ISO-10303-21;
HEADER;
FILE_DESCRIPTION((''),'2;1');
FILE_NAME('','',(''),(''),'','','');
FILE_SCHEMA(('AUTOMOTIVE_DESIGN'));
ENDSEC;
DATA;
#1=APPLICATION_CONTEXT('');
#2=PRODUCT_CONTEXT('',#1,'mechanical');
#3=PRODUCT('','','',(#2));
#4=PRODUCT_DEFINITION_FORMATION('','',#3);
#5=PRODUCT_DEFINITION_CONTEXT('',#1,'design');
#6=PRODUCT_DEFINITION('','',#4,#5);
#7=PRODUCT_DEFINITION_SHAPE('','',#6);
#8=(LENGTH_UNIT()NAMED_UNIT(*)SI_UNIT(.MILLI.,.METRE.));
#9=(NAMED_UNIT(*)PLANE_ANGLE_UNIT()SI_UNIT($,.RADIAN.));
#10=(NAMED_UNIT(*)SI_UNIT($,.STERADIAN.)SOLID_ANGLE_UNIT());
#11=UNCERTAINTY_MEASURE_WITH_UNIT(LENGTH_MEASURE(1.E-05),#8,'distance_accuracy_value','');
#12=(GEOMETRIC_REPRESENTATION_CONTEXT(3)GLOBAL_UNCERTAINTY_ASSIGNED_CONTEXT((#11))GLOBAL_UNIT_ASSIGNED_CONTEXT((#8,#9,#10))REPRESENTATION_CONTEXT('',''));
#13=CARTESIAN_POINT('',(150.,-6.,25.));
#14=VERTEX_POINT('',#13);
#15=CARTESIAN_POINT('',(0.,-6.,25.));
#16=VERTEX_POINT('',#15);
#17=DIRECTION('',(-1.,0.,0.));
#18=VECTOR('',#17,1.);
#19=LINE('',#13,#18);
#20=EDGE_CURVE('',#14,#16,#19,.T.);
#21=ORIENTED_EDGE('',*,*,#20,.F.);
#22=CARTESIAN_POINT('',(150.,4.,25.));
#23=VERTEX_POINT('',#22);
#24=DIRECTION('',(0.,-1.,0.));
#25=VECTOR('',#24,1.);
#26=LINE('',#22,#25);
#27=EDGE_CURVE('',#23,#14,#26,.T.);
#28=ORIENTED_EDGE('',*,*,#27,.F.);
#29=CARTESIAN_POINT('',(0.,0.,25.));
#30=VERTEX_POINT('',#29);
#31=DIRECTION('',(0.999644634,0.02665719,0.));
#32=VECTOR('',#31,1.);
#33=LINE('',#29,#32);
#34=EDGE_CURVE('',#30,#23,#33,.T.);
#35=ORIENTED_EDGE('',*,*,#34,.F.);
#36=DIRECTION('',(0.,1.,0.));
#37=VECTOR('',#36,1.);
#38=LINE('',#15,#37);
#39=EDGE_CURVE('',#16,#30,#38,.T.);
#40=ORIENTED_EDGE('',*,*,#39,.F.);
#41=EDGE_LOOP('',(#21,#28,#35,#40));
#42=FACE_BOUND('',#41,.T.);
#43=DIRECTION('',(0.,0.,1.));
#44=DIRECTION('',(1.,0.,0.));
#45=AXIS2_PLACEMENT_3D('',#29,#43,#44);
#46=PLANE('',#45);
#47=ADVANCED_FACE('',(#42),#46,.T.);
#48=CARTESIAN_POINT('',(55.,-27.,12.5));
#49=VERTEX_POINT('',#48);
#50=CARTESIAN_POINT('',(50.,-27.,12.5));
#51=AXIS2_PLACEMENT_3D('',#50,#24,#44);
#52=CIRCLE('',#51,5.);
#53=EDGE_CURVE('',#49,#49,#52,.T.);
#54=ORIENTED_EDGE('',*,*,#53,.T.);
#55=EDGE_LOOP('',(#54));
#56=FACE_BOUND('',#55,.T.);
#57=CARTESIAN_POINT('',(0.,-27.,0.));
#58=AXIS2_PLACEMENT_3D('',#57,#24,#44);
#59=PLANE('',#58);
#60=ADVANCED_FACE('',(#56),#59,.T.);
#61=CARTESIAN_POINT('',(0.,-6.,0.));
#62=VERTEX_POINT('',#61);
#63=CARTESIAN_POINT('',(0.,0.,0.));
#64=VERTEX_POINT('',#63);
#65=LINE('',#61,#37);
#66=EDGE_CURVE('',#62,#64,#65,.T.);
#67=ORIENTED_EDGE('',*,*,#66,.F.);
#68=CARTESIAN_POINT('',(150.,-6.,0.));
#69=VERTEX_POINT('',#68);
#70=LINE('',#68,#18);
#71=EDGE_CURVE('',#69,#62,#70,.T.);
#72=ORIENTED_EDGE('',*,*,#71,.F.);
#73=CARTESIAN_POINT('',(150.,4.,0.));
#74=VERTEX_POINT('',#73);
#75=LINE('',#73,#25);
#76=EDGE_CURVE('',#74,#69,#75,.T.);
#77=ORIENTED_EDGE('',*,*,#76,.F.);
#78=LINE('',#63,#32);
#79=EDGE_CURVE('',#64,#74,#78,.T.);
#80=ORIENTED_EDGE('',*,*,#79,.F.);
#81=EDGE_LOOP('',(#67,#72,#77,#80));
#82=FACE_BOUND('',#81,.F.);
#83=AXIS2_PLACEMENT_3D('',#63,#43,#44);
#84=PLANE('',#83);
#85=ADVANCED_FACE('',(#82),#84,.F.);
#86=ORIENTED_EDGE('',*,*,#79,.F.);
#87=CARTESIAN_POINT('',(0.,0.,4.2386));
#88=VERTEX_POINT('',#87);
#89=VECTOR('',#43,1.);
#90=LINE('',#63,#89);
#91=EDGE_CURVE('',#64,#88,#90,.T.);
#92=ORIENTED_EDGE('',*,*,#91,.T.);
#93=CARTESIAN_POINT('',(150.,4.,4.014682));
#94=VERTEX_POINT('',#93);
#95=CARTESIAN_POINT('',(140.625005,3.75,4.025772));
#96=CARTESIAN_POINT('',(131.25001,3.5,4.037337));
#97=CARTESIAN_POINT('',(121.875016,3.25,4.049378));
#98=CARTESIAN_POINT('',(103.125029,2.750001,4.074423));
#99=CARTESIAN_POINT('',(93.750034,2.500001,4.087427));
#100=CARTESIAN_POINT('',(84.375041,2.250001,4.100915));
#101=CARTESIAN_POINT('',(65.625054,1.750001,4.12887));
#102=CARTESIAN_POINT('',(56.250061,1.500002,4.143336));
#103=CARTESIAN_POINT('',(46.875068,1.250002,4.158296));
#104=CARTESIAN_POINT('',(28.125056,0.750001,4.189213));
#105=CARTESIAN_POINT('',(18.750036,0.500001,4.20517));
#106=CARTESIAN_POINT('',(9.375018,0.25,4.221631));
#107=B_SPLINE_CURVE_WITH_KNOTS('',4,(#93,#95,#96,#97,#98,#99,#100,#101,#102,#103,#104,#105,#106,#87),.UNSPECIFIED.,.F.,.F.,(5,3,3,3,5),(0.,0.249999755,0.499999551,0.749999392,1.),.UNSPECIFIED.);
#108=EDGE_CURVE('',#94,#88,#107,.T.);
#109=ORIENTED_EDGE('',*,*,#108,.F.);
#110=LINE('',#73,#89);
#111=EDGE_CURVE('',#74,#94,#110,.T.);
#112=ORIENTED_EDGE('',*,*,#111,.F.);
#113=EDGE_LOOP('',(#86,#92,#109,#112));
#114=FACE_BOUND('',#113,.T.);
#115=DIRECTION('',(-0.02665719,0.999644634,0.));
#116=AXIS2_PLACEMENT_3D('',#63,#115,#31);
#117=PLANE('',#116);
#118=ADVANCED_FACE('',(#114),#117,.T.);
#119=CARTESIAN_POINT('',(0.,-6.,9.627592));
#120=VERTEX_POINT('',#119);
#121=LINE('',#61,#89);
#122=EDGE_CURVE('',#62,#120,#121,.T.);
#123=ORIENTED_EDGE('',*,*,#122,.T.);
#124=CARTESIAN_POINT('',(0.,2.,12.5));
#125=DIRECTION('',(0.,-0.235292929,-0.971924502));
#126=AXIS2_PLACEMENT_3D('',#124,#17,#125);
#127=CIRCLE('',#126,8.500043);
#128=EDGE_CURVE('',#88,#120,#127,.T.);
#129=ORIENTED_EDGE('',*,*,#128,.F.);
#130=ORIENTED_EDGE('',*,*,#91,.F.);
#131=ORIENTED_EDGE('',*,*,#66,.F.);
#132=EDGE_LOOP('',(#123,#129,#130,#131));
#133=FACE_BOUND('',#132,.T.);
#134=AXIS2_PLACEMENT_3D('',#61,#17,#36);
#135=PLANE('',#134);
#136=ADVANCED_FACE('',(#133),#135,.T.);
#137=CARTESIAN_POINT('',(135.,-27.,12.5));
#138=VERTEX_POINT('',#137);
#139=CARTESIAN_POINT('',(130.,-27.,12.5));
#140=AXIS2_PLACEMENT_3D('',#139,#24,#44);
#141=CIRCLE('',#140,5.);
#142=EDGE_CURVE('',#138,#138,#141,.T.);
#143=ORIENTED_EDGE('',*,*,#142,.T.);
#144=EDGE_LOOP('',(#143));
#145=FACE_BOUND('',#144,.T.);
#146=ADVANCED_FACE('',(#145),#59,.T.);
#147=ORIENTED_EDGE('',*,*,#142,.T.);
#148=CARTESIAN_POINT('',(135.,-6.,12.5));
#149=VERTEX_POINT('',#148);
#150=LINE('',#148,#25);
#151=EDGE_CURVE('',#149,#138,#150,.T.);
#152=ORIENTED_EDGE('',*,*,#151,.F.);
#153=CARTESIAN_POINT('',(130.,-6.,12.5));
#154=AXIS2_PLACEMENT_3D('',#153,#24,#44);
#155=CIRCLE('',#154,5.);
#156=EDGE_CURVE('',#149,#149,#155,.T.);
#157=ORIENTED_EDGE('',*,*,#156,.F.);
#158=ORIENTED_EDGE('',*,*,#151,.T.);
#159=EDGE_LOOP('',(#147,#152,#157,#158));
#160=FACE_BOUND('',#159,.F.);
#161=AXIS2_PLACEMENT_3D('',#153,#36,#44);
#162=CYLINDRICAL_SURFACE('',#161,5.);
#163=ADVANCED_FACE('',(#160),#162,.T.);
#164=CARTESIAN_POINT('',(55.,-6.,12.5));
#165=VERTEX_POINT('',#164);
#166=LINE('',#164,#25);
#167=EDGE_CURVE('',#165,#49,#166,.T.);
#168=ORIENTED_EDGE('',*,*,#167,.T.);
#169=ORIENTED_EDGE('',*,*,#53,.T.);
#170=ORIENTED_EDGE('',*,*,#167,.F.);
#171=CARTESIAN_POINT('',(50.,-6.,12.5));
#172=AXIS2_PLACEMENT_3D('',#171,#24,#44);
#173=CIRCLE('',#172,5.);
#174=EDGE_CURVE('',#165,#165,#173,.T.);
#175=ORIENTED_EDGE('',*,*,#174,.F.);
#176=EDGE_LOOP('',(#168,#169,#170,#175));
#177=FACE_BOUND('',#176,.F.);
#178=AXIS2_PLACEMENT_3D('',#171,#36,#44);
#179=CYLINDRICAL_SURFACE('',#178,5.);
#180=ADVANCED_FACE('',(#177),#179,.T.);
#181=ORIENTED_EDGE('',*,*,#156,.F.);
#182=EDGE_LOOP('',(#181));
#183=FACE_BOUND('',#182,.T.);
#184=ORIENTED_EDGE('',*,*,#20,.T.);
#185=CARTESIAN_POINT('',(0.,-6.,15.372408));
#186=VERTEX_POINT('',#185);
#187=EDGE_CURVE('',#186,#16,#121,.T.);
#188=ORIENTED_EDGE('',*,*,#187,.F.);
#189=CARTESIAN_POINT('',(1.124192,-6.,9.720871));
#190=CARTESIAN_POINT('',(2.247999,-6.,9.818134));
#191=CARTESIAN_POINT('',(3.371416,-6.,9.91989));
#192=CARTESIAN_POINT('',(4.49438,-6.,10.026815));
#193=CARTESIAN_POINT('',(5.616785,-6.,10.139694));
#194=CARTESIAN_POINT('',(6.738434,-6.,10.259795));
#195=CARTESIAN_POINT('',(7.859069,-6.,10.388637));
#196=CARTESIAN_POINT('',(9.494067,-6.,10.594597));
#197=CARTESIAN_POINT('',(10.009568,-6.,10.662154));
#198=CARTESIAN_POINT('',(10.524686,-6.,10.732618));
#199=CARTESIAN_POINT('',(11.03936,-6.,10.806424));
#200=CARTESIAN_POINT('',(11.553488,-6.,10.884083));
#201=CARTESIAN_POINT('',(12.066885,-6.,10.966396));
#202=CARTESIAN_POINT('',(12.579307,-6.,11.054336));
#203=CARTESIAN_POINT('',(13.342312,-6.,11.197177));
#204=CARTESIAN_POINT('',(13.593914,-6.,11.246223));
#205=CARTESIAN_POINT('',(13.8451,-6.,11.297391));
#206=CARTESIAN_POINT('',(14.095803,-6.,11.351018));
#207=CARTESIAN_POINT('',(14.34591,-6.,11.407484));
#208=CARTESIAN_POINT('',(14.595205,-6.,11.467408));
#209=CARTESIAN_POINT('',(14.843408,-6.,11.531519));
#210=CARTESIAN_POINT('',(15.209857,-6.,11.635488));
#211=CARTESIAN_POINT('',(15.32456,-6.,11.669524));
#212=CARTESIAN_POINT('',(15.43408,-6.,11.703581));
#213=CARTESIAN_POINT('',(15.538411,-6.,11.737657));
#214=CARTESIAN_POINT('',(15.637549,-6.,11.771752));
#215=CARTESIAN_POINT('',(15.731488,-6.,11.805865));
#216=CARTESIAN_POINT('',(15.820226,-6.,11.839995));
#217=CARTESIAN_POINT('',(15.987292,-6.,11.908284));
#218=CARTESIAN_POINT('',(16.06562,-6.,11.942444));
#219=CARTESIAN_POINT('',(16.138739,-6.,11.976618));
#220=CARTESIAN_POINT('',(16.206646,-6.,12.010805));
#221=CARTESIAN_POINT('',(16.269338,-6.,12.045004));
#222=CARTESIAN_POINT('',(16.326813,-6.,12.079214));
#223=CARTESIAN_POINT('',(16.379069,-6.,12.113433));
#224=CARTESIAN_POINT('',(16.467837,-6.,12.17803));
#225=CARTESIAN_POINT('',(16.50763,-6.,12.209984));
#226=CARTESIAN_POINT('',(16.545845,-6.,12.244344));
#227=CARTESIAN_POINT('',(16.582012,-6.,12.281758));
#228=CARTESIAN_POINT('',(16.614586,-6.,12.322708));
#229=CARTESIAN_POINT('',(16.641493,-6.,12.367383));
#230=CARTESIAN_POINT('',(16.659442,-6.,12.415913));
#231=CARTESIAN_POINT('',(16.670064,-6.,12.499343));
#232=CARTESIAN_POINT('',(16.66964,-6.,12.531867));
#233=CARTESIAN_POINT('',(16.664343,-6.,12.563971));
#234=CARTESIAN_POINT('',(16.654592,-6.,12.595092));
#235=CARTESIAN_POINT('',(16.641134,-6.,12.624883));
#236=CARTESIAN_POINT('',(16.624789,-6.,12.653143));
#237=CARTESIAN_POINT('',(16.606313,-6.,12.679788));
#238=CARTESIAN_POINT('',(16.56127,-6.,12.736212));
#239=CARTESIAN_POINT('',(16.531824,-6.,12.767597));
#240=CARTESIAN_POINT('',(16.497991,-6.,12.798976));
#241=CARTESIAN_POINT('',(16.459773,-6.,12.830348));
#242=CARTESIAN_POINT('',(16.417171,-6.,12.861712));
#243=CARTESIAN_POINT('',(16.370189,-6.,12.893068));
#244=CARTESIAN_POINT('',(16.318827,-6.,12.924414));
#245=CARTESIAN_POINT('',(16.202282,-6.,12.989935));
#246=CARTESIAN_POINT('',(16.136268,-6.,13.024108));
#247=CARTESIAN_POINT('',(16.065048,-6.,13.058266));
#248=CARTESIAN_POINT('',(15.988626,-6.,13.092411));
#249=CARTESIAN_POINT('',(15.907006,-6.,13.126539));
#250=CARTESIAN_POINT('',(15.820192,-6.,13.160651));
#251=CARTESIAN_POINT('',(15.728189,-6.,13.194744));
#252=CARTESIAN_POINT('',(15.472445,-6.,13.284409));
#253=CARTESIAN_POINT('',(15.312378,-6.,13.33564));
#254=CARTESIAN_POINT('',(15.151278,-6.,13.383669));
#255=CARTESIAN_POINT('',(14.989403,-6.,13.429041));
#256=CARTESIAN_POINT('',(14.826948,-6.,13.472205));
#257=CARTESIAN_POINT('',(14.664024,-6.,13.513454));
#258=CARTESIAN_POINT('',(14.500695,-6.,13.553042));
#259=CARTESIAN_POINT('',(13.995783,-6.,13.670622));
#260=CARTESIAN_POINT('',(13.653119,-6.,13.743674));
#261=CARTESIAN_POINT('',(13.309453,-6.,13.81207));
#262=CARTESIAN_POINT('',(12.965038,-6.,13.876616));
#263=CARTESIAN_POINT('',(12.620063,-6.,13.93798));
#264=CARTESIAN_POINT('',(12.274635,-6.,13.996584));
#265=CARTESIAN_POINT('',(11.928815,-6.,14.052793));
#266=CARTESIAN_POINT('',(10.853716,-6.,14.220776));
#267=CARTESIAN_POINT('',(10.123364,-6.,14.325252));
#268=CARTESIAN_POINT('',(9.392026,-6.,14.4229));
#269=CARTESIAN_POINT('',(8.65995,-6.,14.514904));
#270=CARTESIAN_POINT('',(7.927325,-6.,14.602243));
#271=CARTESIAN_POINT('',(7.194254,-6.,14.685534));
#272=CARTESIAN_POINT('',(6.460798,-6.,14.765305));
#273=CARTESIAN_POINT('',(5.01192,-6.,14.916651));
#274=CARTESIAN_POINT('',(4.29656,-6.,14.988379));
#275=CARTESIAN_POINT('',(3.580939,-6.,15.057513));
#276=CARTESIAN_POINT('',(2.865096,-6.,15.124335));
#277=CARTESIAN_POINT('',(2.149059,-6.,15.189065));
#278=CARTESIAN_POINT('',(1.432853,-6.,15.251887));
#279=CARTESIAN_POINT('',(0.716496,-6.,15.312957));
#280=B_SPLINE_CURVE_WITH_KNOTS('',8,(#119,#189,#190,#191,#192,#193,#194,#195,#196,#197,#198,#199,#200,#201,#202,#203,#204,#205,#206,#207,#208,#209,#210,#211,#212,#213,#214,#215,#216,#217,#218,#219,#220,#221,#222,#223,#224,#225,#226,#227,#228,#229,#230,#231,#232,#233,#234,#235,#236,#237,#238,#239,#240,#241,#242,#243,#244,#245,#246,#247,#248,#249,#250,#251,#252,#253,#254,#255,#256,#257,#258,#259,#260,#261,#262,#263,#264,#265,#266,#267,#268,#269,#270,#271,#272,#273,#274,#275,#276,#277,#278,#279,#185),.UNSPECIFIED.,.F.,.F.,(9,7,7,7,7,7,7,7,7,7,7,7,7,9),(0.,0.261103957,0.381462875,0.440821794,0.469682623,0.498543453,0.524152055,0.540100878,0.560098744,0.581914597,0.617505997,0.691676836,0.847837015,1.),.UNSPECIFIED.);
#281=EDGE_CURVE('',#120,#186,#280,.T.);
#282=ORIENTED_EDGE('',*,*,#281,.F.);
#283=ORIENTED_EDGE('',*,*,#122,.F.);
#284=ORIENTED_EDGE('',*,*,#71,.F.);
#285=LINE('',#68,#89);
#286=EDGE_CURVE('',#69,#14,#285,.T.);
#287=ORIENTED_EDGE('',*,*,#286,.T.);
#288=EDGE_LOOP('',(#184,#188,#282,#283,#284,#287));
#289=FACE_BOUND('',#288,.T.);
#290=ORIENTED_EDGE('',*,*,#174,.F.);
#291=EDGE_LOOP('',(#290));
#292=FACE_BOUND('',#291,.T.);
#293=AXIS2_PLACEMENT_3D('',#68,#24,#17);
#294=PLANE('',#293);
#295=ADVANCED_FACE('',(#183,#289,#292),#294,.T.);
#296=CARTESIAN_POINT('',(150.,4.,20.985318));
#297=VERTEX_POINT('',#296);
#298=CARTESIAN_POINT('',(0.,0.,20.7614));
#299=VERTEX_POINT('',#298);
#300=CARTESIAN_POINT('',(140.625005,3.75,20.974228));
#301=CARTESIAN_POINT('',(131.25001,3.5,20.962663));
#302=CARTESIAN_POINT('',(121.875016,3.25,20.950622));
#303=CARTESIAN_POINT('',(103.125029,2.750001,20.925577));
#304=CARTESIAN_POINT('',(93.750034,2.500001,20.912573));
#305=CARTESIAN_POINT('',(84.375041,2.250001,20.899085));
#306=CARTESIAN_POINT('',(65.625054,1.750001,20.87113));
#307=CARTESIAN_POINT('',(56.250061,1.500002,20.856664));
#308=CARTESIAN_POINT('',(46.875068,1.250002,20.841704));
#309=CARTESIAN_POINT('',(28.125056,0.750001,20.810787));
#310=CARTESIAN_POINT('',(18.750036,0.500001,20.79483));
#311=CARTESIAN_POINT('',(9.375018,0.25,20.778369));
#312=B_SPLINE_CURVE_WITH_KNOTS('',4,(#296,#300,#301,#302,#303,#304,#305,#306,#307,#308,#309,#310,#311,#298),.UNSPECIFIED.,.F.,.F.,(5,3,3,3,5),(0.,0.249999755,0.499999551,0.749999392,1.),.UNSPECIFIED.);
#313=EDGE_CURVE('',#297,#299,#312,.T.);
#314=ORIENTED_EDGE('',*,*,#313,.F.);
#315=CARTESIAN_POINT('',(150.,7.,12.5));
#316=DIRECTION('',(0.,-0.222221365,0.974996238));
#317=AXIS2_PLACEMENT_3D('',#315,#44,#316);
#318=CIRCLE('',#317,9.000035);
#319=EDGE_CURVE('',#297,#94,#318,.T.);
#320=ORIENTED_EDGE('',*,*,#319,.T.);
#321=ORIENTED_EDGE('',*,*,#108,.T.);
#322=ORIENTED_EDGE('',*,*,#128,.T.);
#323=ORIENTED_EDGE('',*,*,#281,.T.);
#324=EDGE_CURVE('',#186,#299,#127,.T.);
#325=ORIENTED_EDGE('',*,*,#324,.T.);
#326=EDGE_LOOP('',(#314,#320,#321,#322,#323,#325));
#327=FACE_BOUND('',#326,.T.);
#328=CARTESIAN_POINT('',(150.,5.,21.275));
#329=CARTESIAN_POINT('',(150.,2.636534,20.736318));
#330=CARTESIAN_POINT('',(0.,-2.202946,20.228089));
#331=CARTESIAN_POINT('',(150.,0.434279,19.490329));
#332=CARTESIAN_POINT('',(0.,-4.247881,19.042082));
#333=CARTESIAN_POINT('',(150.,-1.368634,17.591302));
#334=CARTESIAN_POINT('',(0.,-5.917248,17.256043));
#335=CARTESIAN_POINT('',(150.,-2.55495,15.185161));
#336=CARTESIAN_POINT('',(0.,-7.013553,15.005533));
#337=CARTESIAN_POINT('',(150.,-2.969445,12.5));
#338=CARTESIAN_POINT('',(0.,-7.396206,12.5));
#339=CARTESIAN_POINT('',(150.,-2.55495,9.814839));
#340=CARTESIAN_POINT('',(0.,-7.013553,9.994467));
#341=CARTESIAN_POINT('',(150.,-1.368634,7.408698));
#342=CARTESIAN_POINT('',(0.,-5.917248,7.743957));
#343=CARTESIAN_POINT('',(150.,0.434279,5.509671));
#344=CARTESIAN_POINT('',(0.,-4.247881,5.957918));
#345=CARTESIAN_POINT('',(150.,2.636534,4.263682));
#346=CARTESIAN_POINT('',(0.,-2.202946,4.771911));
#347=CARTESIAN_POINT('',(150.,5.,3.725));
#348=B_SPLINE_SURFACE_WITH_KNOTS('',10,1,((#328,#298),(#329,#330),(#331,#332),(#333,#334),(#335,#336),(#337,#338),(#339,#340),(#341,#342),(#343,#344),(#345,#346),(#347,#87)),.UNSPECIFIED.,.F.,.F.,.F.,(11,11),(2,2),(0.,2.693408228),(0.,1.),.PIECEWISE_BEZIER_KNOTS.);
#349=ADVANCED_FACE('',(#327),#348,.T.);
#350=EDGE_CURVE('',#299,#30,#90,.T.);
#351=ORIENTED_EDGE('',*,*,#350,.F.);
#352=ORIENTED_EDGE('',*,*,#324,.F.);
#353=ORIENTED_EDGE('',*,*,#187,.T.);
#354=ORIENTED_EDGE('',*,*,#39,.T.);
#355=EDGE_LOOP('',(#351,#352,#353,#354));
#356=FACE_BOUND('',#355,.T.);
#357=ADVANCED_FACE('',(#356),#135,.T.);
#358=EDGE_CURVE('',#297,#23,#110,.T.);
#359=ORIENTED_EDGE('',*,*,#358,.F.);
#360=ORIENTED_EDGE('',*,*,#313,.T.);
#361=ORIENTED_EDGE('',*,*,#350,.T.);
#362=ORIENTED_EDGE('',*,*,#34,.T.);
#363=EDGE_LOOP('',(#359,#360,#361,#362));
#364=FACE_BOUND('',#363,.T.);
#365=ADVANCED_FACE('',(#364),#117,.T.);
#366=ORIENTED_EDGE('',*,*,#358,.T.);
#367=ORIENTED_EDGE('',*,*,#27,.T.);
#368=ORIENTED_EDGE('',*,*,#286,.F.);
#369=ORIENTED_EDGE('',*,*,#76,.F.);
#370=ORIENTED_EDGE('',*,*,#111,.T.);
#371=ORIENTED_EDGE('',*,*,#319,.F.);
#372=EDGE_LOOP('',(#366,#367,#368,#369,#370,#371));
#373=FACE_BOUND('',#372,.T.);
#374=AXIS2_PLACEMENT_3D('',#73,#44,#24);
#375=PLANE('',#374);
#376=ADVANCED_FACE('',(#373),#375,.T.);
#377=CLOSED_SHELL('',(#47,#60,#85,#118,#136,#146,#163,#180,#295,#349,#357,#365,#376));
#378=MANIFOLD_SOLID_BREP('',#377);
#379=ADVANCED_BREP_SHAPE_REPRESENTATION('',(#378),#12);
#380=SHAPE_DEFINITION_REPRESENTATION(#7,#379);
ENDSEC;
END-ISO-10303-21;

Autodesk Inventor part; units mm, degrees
ref_plane "YZ Plane" through (0, 0, 0) normal (1, 0, 0) x (0, 1, 0)
ref_plane "XZ Plane" through (0, 0, 0) normal (0, 1, 0) x (-1, 0, 0)
ref_plane "XY Plane" through (0, 0, 0) normal (0, 0, 1) x (1, 0, 0)
sketch "草圖1" plane through (0, 0, 0) normal (0, 0, 1) x (1, 0, 0)
  line L0 (0, 0) -> (150, 4)
  line L1 (150, 4) -> (150, -6)
  line L2 (150, -6) -> (0, -6)
  line L3 (0, -6) -> (0, 0)
  dimension "d0" = 10
  dimension "d1" = 6
  dimension "d2" = 150
extrude "擠出1" add sketch "草圖1" along normal blind 25
sketch "草圖2" plane through (0, -6, 0) normal (0, -1, 0) x (1, 0, 0)
  circle A0 centre (50, 12.5) radius 5
  circle A1 centre (130, 12.5) radius 5
  line L0 (0, 25) -> (150, 25) projected
  line L1 (150, 0) -> (150, 25) projected
  point P0 (0, 0)
  dimension "d5" = 12.5
  dimension "d6" = 10
  dimension "d7" = 10
  dimension "d8" = 80
  dimension "d9" = 20
extrude "擠出2" add sketch "草圖2" along normal blind 21
sketch "草圖3" plane through (0, -6, 0) normal (-1, 0, 0) x (0, 0, 1)
  line L0 (0, 0) -> (0, 6) construction
  line L1 (0, 0) -> (25, 0) construction
  line L2 (25, 6) -> (25, 0) construction
  line L3 (0, 6) -> (25, 6) construction
  line L4 (21, 6) -> (4, 6)
  line L5 (0, 6) -> (25, 6) projected
  arc A0 (4.2386, 6) -> (20.7614, 6) centre (12.5, 8) ccw
  dimension "d23" = 17
  dimension "d25" = 2
sketch "草圖4" plane through (150, -6, 0) normal (1, 0, 0) x (0, 0, -1)
  line L0 (-21.5, 11) -> (-3.5, 11)
  arc A0 (-21.275, 11) -> (-3.725, 11) centre (-12.5, 13) ccw
  line L1 (0, 10) -> (0, 0) projected
  dimension "d19" = 18
  dimension "d21" = 2
  dimension "d22" = 12.5
sketch "草圖5" plane through (0, 0, 25) normal (-0.0267, 0.9996, 0) x (0.9996, 0.0267, 0)
  line L0 (150.0533, 25) -> (150.0533, 0) projected
  line L1 (150.0533, 12.5) -> (0, 12.5)
  line L2 (0, 25) -> (0, 0) projected
loft "斷面混成2" cut profiles "草圖4", "草圖3"
properties part number "滑軌3"
